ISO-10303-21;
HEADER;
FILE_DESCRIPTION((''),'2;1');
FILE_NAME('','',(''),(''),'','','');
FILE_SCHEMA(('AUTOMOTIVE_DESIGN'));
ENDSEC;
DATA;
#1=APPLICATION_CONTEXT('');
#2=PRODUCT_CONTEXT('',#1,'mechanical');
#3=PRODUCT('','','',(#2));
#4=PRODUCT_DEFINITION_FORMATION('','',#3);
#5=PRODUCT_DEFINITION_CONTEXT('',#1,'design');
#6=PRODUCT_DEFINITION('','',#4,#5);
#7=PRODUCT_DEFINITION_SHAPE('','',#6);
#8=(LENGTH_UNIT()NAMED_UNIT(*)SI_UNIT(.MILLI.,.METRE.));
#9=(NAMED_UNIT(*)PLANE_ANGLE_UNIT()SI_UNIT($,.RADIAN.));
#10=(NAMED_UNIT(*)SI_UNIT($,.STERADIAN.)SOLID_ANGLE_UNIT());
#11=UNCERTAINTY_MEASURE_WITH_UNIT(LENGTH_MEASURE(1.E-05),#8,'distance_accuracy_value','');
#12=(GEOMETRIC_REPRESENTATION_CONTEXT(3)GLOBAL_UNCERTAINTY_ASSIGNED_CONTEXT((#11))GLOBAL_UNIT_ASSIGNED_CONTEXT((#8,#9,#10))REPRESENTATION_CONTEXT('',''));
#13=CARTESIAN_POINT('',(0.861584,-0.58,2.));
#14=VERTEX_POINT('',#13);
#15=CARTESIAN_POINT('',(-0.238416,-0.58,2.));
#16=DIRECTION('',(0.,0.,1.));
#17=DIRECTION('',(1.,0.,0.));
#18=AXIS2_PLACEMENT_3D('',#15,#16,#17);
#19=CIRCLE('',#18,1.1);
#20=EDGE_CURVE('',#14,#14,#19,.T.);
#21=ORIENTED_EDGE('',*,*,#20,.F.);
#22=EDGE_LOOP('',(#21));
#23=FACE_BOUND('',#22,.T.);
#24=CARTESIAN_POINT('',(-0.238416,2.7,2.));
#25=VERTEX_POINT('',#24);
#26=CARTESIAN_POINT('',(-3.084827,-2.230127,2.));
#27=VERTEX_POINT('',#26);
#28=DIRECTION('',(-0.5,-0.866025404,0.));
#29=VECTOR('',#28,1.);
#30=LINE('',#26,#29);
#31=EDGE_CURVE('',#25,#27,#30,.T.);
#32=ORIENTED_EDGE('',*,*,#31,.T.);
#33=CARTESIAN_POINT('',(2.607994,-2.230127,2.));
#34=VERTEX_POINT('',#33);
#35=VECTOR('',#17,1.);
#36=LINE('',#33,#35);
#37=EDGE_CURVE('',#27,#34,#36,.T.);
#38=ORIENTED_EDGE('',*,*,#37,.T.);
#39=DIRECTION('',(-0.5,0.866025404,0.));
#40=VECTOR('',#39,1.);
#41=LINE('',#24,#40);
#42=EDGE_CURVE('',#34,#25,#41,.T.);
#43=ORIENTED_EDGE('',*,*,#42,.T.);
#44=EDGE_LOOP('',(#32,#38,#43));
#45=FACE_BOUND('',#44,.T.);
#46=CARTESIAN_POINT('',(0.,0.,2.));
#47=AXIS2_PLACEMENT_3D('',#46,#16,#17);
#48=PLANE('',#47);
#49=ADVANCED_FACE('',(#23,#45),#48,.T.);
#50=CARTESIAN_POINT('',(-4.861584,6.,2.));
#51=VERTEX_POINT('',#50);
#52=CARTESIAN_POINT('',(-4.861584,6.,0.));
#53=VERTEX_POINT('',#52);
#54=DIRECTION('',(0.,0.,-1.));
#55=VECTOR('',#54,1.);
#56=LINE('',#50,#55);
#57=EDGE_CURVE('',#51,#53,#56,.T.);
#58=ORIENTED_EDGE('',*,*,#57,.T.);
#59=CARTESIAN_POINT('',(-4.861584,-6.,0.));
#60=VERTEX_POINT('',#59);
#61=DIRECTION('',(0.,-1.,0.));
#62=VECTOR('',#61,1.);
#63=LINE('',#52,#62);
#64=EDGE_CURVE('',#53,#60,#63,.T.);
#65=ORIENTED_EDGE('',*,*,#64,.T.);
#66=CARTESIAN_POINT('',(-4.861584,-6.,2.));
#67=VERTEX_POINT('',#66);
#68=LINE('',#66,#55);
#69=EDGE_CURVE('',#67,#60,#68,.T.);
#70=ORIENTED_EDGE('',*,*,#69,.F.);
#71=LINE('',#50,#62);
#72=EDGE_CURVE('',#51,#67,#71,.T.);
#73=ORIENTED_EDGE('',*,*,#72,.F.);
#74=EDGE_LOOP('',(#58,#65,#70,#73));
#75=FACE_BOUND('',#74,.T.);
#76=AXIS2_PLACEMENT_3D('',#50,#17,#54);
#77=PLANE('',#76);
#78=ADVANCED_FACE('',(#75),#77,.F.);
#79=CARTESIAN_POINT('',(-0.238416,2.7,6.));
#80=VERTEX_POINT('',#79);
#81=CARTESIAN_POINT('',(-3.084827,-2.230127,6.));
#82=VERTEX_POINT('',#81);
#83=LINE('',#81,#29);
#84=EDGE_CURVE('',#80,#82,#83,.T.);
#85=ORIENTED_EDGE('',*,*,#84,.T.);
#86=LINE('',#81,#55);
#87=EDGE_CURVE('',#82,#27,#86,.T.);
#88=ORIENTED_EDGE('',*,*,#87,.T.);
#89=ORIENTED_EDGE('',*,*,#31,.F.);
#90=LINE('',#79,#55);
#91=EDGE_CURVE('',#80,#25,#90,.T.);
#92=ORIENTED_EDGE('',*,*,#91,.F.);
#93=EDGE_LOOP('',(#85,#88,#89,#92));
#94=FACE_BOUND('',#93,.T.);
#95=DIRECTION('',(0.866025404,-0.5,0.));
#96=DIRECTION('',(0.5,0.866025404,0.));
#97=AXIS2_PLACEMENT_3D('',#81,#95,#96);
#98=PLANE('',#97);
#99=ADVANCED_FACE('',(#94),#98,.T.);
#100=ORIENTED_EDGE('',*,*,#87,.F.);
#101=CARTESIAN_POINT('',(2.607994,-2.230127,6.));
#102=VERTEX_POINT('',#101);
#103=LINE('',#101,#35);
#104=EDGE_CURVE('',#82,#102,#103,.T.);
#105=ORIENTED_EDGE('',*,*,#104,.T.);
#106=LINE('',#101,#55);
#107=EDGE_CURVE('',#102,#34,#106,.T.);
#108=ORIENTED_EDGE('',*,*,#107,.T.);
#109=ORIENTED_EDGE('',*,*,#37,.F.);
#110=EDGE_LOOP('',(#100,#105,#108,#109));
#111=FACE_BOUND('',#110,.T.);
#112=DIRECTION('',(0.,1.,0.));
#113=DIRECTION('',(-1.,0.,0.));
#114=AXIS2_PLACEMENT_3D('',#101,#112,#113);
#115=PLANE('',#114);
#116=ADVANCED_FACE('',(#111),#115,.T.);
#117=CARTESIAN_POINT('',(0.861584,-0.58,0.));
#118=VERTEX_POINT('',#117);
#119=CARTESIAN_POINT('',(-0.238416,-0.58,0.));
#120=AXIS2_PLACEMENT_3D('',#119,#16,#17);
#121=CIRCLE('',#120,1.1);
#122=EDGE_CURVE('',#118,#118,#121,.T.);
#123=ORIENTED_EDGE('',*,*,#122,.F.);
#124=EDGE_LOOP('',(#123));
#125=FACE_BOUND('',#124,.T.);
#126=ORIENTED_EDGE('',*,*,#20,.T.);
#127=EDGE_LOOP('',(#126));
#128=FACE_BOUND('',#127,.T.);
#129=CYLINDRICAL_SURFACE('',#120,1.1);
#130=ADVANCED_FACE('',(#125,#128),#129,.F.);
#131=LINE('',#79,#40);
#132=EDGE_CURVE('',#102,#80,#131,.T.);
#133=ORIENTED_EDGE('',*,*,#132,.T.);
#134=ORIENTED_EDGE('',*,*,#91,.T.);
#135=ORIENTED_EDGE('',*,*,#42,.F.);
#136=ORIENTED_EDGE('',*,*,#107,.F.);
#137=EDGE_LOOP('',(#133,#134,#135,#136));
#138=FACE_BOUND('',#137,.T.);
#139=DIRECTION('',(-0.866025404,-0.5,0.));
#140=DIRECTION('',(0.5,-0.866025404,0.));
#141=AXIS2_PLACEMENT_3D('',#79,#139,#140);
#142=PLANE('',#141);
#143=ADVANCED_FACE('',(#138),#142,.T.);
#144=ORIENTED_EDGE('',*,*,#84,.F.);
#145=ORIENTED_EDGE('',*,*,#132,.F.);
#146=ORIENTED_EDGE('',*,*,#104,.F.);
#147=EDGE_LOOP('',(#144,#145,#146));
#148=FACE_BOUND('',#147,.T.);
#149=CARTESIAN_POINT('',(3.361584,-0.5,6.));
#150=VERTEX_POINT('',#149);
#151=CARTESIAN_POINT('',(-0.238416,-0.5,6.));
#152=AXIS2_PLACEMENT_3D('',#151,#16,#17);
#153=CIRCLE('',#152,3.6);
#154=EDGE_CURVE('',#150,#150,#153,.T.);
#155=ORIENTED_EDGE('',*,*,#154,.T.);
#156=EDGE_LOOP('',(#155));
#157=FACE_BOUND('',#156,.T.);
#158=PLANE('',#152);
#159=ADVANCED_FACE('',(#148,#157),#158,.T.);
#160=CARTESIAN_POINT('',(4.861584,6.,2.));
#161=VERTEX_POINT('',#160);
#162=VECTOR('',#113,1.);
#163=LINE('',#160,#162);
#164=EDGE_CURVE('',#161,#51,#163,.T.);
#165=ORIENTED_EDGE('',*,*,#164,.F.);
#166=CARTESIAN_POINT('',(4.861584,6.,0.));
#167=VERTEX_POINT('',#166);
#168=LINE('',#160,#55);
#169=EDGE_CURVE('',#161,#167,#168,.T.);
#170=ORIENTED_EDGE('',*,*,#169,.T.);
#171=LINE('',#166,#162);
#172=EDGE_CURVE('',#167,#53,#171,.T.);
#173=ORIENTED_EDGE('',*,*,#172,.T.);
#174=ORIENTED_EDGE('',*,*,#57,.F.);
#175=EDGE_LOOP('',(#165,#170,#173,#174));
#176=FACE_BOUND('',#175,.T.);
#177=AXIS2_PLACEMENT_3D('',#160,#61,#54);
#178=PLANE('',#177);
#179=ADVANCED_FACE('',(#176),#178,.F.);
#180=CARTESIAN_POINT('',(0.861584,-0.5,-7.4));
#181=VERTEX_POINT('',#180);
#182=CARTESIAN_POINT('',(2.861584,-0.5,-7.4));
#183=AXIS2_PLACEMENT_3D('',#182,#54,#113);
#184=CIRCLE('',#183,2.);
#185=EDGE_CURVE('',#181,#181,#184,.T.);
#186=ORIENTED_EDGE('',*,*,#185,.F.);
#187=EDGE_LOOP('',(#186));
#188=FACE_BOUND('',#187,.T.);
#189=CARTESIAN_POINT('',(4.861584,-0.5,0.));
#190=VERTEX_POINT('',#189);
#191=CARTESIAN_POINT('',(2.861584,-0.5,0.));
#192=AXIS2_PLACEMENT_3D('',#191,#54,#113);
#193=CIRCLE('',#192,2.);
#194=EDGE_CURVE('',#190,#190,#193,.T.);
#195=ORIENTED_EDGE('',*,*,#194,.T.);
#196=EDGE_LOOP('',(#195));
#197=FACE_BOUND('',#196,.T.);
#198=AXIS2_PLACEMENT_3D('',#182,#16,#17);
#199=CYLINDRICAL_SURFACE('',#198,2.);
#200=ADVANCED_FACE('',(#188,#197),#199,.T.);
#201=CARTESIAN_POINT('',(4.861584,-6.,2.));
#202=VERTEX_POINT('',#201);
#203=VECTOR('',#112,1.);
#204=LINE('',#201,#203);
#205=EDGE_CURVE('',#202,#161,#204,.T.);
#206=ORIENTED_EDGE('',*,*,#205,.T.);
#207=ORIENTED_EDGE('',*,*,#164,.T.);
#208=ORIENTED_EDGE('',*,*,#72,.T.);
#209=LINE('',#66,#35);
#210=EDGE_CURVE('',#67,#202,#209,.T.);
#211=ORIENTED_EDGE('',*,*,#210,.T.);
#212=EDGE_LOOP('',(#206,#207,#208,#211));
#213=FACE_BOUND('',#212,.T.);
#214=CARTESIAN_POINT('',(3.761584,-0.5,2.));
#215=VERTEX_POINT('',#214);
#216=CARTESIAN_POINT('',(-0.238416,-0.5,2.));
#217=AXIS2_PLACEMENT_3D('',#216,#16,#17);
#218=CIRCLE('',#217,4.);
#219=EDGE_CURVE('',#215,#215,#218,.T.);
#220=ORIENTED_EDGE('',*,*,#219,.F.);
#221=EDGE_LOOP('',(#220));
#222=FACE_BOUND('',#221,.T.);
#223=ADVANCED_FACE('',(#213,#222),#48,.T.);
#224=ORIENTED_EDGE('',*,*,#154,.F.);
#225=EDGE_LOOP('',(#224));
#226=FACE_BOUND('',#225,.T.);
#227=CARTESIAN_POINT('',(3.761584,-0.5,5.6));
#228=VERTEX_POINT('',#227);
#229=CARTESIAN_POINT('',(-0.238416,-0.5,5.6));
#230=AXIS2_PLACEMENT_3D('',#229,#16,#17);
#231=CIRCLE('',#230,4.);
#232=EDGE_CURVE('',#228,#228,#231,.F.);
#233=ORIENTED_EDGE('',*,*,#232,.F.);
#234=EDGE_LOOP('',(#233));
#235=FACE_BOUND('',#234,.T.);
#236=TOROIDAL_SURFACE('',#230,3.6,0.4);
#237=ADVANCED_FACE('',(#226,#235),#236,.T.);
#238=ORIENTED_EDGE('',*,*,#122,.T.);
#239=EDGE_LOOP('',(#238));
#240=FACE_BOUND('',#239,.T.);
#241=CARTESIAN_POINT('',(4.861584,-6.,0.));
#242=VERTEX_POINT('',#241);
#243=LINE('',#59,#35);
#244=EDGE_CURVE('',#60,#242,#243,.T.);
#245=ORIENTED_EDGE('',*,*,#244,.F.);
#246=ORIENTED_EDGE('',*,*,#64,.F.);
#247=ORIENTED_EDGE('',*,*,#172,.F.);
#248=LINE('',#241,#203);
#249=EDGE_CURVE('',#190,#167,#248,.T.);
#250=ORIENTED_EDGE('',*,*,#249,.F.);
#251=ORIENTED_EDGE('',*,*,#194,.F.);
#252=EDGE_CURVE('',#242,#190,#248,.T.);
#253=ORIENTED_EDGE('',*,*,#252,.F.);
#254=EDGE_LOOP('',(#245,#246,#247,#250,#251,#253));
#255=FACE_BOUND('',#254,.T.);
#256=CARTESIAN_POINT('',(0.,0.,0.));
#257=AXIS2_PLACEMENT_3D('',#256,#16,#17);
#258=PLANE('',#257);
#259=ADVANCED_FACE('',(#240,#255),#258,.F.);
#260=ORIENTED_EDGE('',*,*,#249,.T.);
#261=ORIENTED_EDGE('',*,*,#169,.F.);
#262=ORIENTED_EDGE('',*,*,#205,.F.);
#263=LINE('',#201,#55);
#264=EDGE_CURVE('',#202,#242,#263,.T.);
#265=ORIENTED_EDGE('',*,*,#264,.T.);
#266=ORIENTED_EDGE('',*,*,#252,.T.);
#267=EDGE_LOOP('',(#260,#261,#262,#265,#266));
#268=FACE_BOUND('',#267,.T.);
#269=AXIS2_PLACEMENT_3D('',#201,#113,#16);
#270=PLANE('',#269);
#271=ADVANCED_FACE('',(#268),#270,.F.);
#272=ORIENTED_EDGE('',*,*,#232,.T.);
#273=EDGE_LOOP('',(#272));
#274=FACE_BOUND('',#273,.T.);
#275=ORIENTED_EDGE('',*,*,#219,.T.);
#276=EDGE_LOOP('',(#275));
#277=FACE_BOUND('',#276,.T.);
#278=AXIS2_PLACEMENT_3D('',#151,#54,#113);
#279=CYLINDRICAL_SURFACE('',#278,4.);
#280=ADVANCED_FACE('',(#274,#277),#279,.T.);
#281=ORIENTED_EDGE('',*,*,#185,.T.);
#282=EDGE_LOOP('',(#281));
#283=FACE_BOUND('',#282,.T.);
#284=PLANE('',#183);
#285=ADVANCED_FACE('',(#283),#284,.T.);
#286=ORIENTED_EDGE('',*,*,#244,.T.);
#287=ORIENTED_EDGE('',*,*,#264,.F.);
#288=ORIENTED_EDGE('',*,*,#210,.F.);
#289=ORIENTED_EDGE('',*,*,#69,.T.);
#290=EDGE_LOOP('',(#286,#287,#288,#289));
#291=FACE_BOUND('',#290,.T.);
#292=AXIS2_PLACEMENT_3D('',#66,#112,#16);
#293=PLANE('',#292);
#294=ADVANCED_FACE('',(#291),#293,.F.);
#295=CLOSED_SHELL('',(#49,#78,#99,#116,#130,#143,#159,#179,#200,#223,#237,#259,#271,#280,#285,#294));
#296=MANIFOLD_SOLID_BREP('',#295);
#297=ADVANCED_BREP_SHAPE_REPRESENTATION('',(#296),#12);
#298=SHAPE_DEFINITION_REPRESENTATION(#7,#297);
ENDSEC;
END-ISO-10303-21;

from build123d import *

# Parameters (mm, degrees)
SKETCH_2_W          = 9.723167254
SKETCH_2_H          = 12
EXTRUDE_1_DEPTH     = 2
SKETCH_3_R          = 4
EXTRUDE_2_DEPTH     = 4
SKETCH_4_R          = 2
EXTRUDE_3_DEPTH     = 7.4
FILLET_1_R          = 0.4
SKETCH_5_R          = 1.1
CUT_EXTRUDE_1_DEPTH = 2


with BuildPart() as part:
    # Эскиз2 → Бобышка-Вытянуть1 (new body)
    with BuildSketch(Plane.XY):
        Rectangle(SKETCH_2_W, SKETCH_2_H)
    extrude(amount=EXTRUDE_1_DEPTH)

    # Эскиз3 → Бобышка-Вытянуть2 (add)
    with BuildSketch(Plane.XY.offset(2)):
        with Locations((-0.238416373, -0.5)):
            Circle(SKETCH_3_R)
        Polygon((-3.084826535, -2.230127019), (-0.238416373, 2.7), (2.607993788, -2.230127019), align=None, mode=Mode.SUBTRACT)
    extrude(amount=EXTRUDE_2_DEPTH)

    # Эскиз4 → Бобышка-Вытянуть3 (add)
    with BuildSketch(Plane(origin=(0, 0, 0), x_dir=(-1, 0, 0), z_dir=(0, 0, -1))):
        with Locations(Location((-2.861583627, -0.5, 0), (0, 0, 180))):
            Circle(SKETCH_4_R)
    extrude(amount=EXTRUDE_3_DEPTH)

    # Скругление1
    fillet_1_edges = [part.edges().sort_by_distance(p)[0] for p in [
        (-4.238416373, -0.5, 6),
    ]]
    fillet(fillet_1_edges, radius=FILLET_1_R)

    # Эскиз5 → Вырез-Вытянуть1 (cut)
    with BuildSketch(Plane.XY.offset(2)):
        with Locations((-0.238416373, -0.58)):
            Circle(SKETCH_5_R)
    extrude(amount=-CUT_EXTRUDE_1_DEPTH, mode=Mode.SUBTRACT)


solid = part.part
